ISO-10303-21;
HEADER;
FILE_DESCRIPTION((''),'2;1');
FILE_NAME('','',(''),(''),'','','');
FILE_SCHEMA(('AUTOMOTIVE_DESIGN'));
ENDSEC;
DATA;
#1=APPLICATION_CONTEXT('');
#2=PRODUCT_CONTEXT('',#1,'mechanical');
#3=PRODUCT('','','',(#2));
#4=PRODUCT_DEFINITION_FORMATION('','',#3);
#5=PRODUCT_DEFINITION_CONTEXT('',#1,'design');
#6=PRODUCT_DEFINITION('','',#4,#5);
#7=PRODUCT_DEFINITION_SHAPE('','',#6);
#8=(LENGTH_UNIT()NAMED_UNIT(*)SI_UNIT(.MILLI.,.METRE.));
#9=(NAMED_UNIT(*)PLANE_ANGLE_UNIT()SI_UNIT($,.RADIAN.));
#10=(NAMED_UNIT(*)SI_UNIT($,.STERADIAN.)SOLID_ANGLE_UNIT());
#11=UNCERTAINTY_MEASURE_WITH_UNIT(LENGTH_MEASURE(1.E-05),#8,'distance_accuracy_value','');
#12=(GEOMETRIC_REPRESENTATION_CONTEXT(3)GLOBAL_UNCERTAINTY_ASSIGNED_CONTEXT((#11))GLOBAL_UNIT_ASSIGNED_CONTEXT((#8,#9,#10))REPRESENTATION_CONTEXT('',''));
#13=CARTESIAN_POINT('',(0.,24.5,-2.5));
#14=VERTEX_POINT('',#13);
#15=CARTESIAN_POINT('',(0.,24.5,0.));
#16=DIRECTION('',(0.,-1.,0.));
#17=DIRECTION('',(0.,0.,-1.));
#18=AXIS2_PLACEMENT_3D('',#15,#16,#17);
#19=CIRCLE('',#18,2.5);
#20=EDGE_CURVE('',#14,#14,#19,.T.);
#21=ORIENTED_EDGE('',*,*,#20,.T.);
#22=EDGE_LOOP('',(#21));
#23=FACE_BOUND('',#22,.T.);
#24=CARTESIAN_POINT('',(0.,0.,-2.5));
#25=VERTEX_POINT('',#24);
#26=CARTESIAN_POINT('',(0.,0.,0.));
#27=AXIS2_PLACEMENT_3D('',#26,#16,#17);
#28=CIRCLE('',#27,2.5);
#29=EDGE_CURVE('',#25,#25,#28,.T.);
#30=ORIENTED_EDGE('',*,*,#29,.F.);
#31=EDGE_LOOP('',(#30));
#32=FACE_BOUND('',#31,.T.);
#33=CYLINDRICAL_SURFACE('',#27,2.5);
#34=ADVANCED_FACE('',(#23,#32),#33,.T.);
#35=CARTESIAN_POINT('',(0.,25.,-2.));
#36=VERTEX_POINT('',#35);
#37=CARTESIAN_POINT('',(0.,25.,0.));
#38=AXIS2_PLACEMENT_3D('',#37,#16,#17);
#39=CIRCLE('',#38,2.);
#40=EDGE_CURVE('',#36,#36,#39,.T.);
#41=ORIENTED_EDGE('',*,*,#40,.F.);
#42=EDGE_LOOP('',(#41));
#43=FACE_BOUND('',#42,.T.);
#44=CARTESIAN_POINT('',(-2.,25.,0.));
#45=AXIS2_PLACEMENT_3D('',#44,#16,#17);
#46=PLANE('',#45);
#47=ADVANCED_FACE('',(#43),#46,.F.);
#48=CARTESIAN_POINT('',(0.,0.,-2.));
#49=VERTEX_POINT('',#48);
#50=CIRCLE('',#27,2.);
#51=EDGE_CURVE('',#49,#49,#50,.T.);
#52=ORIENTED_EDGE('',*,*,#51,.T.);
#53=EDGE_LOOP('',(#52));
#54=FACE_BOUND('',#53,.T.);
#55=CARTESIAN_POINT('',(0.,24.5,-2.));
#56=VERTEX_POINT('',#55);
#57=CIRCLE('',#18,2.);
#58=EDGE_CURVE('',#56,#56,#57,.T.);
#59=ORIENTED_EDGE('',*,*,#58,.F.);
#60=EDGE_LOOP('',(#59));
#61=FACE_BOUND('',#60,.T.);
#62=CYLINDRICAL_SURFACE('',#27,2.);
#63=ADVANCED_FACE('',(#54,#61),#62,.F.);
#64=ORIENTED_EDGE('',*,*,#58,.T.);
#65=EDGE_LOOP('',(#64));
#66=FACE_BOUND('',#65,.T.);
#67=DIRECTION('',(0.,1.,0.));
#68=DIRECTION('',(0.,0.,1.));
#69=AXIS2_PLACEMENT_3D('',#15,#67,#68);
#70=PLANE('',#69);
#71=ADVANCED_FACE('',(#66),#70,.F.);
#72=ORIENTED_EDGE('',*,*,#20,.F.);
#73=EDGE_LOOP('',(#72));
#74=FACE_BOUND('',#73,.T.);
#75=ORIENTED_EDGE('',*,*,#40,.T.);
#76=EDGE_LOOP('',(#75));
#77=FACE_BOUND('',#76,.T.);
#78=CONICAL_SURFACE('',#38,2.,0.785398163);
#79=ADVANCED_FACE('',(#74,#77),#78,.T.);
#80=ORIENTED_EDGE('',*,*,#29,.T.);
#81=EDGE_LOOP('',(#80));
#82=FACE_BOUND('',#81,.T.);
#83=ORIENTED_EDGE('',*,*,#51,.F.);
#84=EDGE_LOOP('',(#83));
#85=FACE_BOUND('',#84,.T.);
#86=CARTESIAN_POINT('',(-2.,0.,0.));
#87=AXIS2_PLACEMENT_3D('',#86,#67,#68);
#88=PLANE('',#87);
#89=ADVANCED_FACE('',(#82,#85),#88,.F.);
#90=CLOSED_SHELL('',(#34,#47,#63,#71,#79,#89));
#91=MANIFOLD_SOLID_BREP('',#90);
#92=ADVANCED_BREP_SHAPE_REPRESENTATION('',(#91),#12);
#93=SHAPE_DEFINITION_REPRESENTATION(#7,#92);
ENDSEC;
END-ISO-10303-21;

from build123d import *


with BuildPart() as part:
    # Croquis1 → Revolución1 (revolve)
    with BuildSketch(Plane.XY, mode=Mode.PRIVATE) as revoluci_n1_sk:
        Polygon((0, 24.5), (0, 25), (-2, 25), (-2.5, 24.5), (-2.5, 0), (-2, 0), (-2, 24.5), align=None)
    revolve(revoluci_n1_sk.sketch.rotate(Axis((0, 0, 0), (0, 1, 0)), 270), axis=Axis((0, 0, 0), (0, 1, 0)))


solid = part.part
